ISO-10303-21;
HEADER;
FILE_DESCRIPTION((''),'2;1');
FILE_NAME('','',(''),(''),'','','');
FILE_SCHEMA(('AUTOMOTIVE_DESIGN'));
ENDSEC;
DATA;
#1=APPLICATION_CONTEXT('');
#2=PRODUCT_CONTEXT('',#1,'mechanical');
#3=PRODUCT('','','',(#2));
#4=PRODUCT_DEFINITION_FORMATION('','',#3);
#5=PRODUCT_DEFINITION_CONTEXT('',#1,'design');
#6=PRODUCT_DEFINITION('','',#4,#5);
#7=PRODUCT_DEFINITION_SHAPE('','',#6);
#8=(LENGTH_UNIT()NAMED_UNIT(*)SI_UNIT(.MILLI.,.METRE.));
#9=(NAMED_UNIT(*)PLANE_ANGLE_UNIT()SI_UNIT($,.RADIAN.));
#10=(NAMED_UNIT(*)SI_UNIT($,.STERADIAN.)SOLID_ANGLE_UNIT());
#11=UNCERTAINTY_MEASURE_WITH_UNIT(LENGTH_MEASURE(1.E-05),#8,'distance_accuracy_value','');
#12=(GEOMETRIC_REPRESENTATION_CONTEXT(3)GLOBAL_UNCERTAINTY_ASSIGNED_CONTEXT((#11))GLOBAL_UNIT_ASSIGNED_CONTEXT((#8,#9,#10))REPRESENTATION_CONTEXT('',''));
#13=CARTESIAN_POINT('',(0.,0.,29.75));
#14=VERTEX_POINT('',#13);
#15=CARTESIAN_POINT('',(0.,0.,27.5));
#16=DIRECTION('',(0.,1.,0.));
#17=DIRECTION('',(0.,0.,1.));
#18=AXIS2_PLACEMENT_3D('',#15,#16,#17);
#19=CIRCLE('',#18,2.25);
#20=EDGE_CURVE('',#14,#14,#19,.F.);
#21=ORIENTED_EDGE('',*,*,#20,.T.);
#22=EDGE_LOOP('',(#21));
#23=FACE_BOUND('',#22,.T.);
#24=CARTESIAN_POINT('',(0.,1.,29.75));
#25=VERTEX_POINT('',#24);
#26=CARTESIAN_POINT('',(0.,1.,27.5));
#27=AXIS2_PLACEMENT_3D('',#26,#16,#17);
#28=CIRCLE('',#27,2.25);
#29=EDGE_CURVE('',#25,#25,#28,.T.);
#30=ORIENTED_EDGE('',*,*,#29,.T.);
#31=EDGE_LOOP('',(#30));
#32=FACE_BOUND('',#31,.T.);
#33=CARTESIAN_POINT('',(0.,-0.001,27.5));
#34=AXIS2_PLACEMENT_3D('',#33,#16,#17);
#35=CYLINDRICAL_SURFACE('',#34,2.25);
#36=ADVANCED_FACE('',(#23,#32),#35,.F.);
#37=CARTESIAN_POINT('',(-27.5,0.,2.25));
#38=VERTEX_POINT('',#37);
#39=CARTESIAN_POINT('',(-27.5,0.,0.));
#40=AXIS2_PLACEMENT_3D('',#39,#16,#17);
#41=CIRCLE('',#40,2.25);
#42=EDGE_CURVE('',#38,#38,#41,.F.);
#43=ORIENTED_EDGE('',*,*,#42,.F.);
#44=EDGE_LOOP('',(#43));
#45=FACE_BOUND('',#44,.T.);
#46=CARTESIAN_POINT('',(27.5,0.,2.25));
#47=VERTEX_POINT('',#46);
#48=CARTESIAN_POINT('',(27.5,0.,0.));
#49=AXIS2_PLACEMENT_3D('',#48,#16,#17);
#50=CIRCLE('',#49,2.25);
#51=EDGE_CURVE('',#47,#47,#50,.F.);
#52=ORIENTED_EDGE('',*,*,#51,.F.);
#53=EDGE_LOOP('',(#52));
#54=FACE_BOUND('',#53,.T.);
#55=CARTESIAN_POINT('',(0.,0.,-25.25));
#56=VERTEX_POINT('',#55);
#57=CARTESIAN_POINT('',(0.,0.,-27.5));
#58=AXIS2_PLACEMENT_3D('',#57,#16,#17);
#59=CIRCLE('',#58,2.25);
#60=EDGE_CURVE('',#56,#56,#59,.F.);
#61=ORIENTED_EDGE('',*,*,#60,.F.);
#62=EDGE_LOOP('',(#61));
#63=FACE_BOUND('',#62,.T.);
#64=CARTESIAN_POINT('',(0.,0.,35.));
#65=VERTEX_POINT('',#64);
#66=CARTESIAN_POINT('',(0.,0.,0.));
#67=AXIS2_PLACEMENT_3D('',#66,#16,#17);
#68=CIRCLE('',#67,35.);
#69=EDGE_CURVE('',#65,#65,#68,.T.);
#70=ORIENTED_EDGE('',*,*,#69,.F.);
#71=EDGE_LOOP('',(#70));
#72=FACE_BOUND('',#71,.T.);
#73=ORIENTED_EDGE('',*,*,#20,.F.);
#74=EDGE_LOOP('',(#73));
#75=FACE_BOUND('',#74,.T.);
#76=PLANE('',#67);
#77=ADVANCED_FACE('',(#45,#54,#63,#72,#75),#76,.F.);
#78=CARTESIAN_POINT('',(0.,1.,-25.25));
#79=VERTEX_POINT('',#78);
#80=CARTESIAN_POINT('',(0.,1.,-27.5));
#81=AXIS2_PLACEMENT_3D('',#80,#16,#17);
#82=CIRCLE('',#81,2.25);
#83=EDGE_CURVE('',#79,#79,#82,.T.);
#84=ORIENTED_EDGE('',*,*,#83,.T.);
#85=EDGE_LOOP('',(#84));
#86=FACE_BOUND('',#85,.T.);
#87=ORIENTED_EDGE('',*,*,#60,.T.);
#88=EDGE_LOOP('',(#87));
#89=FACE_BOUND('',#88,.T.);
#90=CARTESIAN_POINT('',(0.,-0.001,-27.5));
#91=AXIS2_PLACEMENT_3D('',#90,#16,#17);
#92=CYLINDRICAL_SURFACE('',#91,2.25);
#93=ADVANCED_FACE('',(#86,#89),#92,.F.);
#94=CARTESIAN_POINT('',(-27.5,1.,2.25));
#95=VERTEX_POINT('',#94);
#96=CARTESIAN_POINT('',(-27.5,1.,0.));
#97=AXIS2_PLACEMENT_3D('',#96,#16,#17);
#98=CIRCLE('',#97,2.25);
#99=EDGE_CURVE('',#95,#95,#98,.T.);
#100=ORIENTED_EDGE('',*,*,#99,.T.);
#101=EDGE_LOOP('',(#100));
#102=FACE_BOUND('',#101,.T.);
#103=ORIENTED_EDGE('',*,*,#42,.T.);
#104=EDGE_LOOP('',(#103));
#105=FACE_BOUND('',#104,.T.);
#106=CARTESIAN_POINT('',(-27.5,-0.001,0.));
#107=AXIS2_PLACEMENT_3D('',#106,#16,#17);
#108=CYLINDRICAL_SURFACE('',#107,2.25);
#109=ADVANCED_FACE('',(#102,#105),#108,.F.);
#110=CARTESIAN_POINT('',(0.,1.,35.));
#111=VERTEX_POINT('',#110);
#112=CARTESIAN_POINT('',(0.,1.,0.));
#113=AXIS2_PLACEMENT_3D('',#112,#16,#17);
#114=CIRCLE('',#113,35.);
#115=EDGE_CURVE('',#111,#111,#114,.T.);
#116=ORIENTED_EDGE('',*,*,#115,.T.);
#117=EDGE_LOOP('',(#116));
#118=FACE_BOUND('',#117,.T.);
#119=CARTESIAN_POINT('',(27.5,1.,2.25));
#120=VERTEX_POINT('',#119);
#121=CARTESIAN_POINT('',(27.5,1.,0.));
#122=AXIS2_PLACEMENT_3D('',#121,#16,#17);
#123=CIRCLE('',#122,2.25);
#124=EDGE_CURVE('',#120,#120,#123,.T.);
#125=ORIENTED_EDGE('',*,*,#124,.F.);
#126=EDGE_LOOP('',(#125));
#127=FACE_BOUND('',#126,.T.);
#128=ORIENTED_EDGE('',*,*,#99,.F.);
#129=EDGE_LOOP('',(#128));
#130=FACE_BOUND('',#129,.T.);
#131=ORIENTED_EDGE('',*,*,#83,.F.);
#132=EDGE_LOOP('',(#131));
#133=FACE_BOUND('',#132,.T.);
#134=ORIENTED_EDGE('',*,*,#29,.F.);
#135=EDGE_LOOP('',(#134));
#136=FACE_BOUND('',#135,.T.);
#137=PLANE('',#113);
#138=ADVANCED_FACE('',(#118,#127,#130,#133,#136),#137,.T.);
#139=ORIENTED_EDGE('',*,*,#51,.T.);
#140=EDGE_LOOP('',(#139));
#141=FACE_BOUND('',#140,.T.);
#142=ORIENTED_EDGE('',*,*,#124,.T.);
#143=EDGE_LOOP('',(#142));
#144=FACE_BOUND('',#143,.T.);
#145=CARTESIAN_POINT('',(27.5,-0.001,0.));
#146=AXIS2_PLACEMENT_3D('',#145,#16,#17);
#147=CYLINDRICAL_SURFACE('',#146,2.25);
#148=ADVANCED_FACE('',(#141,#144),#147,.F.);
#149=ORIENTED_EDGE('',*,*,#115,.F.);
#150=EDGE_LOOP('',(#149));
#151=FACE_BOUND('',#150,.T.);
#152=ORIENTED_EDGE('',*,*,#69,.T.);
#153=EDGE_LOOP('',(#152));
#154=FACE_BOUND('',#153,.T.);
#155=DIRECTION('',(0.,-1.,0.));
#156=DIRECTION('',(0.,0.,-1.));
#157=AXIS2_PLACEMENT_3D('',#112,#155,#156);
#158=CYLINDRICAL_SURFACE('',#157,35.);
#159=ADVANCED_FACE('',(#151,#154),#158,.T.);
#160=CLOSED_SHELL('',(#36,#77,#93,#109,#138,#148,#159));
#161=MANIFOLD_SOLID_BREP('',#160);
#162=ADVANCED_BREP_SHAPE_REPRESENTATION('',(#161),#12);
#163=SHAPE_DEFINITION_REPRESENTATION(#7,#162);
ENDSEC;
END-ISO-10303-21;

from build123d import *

# Parameters (mm, degrees)
SKETCH1_R           = 35
SKETCH1_R_2         = 20
BOSS_EXTRUDE1_DEPTH = 1
SKETCH3_R           = 20
BOSS_EXTRUDE2_DEPTH = 1
CUT_EXTRUDE1_REACH  = 51.508
SKETCH4_R           = 2.25


with BuildPart() as part:
    # Sketch1 → Boss-Extrude1 (new body)
    with BuildSketch(Plane(origin=(0, 0, 0), x_dir=(1, 0, 0), z_dir=(0, 1, 0))):
        with Locations(Location((0, 0, 0), (0, 0, 270))):
            Circle(SKETCH1_R)
        with Locations(Location((0, 0, 0), (0, 0, 270))):
            Circle(SKETCH1_R_2, mode=Mode.SUBTRACT)
    extrude(amount=BOSS_EXTRUDE1_DEPTH)

    # Sketch3 → Boss-Extrude2 (add)
    with BuildSketch(Plane(origin=(0, 0, 0), x_dir=(1, 0, 0), z_dir=(0, 1, 0))):
        Circle(SKETCH3_R)
    extrude(amount=BOSS_EXTRUDE2_DEPTH)

    # Sketch4 → Cut-Extrude1 (cut, up to next)
    with BuildSketch(Plane(origin=(0, 1, 0), x_dir=(1, 0, 0), z_dir=(0, 1, 0)), mode=Mode.PRIVATE) as cut_extrude1_sk1:
        with Locations(Location((0, 27.5, 0), (0, 0, 270))):
            Circle(SKETCH4_R)
    cut_extrude1_tool1 = extrude(cut_extrude1_sk1.sketch, amount=-CUT_EXTRUDE1_REACH, mode=Mode.PRIVATE) & part.part
    # Sketch4 → Cut-Extrude1 (cut, up to next)
    with BuildSketch(Plane(origin=(0, 1, 0), x_dir=(1, 0, 0), z_dir=(0, 1, 0)), mode=Mode.PRIVATE) as cut_extrude1_sk2:
        with Locations(Location((27.5, 0, 0), (0, 0, 270))):
            Circle(SKETCH4_R)
    cut_extrude1_tool2 = extrude(cut_extrude1_sk2.sketch, amount=-CUT_EXTRUDE1_REACH, mode=Mode.PRIVATE) & part.part
    # Sketch4 → Cut-Extrude1 (cut, up to next)
    with BuildSketch(Plane(origin=(0, 1, 0), x_dir=(1, 0, 0), z_dir=(0, 1, 0)), mode=Mode.PRIVATE) as cut_extrude1_sk3:
        with Locations(Location((0, -27.5, 0), (0, 0, 270))):
            Circle(SKETCH4_R)
    cut_extrude1_tool3 = extrude(cut_extrude1_sk3.sketch, amount=-CUT_EXTRUDE1_REACH, mode=Mode.PRIVATE) & part.part
    # Sketch4 → Cut-Extrude1 (cut, up to next)
    with BuildSketch(Plane(origin=(0, 1, 0), x_dir=(1, 0, 0), z_dir=(0, 1, 0)), mode=Mode.PRIVATE) as cut_extrude1_sk4:
        with Locations(Location((-27.5, 0, 0), (0, 0, 270))):
            Circle(SKETCH4_R)
    cut_extrude1_tool4 = extrude(cut_extrude1_sk4.sketch, amount=-CUT_EXTRUDE1_REACH, mode=Mode.PRIVATE) & part.part
    add(cut_extrude1_tool1.solids().sort_by_distance((0, 1, -27.5))[0], mode=Mode.SUBTRACT)
    add(cut_extrude1_tool2.solids().sort_by_distance((27.5, 1, 0))[0], mode=Mode.SUBTRACT)
    add(cut_extrude1_tool3.solids().sort_by_distance((0, 1, 27.5))[0], mode=Mode.SUBTRACT)
    add(cut_extrude1_tool4.solids().sort_by_distance((-27.5, 1, 0))[0], mode=Mode.SUBTRACT)


solid = part.part
